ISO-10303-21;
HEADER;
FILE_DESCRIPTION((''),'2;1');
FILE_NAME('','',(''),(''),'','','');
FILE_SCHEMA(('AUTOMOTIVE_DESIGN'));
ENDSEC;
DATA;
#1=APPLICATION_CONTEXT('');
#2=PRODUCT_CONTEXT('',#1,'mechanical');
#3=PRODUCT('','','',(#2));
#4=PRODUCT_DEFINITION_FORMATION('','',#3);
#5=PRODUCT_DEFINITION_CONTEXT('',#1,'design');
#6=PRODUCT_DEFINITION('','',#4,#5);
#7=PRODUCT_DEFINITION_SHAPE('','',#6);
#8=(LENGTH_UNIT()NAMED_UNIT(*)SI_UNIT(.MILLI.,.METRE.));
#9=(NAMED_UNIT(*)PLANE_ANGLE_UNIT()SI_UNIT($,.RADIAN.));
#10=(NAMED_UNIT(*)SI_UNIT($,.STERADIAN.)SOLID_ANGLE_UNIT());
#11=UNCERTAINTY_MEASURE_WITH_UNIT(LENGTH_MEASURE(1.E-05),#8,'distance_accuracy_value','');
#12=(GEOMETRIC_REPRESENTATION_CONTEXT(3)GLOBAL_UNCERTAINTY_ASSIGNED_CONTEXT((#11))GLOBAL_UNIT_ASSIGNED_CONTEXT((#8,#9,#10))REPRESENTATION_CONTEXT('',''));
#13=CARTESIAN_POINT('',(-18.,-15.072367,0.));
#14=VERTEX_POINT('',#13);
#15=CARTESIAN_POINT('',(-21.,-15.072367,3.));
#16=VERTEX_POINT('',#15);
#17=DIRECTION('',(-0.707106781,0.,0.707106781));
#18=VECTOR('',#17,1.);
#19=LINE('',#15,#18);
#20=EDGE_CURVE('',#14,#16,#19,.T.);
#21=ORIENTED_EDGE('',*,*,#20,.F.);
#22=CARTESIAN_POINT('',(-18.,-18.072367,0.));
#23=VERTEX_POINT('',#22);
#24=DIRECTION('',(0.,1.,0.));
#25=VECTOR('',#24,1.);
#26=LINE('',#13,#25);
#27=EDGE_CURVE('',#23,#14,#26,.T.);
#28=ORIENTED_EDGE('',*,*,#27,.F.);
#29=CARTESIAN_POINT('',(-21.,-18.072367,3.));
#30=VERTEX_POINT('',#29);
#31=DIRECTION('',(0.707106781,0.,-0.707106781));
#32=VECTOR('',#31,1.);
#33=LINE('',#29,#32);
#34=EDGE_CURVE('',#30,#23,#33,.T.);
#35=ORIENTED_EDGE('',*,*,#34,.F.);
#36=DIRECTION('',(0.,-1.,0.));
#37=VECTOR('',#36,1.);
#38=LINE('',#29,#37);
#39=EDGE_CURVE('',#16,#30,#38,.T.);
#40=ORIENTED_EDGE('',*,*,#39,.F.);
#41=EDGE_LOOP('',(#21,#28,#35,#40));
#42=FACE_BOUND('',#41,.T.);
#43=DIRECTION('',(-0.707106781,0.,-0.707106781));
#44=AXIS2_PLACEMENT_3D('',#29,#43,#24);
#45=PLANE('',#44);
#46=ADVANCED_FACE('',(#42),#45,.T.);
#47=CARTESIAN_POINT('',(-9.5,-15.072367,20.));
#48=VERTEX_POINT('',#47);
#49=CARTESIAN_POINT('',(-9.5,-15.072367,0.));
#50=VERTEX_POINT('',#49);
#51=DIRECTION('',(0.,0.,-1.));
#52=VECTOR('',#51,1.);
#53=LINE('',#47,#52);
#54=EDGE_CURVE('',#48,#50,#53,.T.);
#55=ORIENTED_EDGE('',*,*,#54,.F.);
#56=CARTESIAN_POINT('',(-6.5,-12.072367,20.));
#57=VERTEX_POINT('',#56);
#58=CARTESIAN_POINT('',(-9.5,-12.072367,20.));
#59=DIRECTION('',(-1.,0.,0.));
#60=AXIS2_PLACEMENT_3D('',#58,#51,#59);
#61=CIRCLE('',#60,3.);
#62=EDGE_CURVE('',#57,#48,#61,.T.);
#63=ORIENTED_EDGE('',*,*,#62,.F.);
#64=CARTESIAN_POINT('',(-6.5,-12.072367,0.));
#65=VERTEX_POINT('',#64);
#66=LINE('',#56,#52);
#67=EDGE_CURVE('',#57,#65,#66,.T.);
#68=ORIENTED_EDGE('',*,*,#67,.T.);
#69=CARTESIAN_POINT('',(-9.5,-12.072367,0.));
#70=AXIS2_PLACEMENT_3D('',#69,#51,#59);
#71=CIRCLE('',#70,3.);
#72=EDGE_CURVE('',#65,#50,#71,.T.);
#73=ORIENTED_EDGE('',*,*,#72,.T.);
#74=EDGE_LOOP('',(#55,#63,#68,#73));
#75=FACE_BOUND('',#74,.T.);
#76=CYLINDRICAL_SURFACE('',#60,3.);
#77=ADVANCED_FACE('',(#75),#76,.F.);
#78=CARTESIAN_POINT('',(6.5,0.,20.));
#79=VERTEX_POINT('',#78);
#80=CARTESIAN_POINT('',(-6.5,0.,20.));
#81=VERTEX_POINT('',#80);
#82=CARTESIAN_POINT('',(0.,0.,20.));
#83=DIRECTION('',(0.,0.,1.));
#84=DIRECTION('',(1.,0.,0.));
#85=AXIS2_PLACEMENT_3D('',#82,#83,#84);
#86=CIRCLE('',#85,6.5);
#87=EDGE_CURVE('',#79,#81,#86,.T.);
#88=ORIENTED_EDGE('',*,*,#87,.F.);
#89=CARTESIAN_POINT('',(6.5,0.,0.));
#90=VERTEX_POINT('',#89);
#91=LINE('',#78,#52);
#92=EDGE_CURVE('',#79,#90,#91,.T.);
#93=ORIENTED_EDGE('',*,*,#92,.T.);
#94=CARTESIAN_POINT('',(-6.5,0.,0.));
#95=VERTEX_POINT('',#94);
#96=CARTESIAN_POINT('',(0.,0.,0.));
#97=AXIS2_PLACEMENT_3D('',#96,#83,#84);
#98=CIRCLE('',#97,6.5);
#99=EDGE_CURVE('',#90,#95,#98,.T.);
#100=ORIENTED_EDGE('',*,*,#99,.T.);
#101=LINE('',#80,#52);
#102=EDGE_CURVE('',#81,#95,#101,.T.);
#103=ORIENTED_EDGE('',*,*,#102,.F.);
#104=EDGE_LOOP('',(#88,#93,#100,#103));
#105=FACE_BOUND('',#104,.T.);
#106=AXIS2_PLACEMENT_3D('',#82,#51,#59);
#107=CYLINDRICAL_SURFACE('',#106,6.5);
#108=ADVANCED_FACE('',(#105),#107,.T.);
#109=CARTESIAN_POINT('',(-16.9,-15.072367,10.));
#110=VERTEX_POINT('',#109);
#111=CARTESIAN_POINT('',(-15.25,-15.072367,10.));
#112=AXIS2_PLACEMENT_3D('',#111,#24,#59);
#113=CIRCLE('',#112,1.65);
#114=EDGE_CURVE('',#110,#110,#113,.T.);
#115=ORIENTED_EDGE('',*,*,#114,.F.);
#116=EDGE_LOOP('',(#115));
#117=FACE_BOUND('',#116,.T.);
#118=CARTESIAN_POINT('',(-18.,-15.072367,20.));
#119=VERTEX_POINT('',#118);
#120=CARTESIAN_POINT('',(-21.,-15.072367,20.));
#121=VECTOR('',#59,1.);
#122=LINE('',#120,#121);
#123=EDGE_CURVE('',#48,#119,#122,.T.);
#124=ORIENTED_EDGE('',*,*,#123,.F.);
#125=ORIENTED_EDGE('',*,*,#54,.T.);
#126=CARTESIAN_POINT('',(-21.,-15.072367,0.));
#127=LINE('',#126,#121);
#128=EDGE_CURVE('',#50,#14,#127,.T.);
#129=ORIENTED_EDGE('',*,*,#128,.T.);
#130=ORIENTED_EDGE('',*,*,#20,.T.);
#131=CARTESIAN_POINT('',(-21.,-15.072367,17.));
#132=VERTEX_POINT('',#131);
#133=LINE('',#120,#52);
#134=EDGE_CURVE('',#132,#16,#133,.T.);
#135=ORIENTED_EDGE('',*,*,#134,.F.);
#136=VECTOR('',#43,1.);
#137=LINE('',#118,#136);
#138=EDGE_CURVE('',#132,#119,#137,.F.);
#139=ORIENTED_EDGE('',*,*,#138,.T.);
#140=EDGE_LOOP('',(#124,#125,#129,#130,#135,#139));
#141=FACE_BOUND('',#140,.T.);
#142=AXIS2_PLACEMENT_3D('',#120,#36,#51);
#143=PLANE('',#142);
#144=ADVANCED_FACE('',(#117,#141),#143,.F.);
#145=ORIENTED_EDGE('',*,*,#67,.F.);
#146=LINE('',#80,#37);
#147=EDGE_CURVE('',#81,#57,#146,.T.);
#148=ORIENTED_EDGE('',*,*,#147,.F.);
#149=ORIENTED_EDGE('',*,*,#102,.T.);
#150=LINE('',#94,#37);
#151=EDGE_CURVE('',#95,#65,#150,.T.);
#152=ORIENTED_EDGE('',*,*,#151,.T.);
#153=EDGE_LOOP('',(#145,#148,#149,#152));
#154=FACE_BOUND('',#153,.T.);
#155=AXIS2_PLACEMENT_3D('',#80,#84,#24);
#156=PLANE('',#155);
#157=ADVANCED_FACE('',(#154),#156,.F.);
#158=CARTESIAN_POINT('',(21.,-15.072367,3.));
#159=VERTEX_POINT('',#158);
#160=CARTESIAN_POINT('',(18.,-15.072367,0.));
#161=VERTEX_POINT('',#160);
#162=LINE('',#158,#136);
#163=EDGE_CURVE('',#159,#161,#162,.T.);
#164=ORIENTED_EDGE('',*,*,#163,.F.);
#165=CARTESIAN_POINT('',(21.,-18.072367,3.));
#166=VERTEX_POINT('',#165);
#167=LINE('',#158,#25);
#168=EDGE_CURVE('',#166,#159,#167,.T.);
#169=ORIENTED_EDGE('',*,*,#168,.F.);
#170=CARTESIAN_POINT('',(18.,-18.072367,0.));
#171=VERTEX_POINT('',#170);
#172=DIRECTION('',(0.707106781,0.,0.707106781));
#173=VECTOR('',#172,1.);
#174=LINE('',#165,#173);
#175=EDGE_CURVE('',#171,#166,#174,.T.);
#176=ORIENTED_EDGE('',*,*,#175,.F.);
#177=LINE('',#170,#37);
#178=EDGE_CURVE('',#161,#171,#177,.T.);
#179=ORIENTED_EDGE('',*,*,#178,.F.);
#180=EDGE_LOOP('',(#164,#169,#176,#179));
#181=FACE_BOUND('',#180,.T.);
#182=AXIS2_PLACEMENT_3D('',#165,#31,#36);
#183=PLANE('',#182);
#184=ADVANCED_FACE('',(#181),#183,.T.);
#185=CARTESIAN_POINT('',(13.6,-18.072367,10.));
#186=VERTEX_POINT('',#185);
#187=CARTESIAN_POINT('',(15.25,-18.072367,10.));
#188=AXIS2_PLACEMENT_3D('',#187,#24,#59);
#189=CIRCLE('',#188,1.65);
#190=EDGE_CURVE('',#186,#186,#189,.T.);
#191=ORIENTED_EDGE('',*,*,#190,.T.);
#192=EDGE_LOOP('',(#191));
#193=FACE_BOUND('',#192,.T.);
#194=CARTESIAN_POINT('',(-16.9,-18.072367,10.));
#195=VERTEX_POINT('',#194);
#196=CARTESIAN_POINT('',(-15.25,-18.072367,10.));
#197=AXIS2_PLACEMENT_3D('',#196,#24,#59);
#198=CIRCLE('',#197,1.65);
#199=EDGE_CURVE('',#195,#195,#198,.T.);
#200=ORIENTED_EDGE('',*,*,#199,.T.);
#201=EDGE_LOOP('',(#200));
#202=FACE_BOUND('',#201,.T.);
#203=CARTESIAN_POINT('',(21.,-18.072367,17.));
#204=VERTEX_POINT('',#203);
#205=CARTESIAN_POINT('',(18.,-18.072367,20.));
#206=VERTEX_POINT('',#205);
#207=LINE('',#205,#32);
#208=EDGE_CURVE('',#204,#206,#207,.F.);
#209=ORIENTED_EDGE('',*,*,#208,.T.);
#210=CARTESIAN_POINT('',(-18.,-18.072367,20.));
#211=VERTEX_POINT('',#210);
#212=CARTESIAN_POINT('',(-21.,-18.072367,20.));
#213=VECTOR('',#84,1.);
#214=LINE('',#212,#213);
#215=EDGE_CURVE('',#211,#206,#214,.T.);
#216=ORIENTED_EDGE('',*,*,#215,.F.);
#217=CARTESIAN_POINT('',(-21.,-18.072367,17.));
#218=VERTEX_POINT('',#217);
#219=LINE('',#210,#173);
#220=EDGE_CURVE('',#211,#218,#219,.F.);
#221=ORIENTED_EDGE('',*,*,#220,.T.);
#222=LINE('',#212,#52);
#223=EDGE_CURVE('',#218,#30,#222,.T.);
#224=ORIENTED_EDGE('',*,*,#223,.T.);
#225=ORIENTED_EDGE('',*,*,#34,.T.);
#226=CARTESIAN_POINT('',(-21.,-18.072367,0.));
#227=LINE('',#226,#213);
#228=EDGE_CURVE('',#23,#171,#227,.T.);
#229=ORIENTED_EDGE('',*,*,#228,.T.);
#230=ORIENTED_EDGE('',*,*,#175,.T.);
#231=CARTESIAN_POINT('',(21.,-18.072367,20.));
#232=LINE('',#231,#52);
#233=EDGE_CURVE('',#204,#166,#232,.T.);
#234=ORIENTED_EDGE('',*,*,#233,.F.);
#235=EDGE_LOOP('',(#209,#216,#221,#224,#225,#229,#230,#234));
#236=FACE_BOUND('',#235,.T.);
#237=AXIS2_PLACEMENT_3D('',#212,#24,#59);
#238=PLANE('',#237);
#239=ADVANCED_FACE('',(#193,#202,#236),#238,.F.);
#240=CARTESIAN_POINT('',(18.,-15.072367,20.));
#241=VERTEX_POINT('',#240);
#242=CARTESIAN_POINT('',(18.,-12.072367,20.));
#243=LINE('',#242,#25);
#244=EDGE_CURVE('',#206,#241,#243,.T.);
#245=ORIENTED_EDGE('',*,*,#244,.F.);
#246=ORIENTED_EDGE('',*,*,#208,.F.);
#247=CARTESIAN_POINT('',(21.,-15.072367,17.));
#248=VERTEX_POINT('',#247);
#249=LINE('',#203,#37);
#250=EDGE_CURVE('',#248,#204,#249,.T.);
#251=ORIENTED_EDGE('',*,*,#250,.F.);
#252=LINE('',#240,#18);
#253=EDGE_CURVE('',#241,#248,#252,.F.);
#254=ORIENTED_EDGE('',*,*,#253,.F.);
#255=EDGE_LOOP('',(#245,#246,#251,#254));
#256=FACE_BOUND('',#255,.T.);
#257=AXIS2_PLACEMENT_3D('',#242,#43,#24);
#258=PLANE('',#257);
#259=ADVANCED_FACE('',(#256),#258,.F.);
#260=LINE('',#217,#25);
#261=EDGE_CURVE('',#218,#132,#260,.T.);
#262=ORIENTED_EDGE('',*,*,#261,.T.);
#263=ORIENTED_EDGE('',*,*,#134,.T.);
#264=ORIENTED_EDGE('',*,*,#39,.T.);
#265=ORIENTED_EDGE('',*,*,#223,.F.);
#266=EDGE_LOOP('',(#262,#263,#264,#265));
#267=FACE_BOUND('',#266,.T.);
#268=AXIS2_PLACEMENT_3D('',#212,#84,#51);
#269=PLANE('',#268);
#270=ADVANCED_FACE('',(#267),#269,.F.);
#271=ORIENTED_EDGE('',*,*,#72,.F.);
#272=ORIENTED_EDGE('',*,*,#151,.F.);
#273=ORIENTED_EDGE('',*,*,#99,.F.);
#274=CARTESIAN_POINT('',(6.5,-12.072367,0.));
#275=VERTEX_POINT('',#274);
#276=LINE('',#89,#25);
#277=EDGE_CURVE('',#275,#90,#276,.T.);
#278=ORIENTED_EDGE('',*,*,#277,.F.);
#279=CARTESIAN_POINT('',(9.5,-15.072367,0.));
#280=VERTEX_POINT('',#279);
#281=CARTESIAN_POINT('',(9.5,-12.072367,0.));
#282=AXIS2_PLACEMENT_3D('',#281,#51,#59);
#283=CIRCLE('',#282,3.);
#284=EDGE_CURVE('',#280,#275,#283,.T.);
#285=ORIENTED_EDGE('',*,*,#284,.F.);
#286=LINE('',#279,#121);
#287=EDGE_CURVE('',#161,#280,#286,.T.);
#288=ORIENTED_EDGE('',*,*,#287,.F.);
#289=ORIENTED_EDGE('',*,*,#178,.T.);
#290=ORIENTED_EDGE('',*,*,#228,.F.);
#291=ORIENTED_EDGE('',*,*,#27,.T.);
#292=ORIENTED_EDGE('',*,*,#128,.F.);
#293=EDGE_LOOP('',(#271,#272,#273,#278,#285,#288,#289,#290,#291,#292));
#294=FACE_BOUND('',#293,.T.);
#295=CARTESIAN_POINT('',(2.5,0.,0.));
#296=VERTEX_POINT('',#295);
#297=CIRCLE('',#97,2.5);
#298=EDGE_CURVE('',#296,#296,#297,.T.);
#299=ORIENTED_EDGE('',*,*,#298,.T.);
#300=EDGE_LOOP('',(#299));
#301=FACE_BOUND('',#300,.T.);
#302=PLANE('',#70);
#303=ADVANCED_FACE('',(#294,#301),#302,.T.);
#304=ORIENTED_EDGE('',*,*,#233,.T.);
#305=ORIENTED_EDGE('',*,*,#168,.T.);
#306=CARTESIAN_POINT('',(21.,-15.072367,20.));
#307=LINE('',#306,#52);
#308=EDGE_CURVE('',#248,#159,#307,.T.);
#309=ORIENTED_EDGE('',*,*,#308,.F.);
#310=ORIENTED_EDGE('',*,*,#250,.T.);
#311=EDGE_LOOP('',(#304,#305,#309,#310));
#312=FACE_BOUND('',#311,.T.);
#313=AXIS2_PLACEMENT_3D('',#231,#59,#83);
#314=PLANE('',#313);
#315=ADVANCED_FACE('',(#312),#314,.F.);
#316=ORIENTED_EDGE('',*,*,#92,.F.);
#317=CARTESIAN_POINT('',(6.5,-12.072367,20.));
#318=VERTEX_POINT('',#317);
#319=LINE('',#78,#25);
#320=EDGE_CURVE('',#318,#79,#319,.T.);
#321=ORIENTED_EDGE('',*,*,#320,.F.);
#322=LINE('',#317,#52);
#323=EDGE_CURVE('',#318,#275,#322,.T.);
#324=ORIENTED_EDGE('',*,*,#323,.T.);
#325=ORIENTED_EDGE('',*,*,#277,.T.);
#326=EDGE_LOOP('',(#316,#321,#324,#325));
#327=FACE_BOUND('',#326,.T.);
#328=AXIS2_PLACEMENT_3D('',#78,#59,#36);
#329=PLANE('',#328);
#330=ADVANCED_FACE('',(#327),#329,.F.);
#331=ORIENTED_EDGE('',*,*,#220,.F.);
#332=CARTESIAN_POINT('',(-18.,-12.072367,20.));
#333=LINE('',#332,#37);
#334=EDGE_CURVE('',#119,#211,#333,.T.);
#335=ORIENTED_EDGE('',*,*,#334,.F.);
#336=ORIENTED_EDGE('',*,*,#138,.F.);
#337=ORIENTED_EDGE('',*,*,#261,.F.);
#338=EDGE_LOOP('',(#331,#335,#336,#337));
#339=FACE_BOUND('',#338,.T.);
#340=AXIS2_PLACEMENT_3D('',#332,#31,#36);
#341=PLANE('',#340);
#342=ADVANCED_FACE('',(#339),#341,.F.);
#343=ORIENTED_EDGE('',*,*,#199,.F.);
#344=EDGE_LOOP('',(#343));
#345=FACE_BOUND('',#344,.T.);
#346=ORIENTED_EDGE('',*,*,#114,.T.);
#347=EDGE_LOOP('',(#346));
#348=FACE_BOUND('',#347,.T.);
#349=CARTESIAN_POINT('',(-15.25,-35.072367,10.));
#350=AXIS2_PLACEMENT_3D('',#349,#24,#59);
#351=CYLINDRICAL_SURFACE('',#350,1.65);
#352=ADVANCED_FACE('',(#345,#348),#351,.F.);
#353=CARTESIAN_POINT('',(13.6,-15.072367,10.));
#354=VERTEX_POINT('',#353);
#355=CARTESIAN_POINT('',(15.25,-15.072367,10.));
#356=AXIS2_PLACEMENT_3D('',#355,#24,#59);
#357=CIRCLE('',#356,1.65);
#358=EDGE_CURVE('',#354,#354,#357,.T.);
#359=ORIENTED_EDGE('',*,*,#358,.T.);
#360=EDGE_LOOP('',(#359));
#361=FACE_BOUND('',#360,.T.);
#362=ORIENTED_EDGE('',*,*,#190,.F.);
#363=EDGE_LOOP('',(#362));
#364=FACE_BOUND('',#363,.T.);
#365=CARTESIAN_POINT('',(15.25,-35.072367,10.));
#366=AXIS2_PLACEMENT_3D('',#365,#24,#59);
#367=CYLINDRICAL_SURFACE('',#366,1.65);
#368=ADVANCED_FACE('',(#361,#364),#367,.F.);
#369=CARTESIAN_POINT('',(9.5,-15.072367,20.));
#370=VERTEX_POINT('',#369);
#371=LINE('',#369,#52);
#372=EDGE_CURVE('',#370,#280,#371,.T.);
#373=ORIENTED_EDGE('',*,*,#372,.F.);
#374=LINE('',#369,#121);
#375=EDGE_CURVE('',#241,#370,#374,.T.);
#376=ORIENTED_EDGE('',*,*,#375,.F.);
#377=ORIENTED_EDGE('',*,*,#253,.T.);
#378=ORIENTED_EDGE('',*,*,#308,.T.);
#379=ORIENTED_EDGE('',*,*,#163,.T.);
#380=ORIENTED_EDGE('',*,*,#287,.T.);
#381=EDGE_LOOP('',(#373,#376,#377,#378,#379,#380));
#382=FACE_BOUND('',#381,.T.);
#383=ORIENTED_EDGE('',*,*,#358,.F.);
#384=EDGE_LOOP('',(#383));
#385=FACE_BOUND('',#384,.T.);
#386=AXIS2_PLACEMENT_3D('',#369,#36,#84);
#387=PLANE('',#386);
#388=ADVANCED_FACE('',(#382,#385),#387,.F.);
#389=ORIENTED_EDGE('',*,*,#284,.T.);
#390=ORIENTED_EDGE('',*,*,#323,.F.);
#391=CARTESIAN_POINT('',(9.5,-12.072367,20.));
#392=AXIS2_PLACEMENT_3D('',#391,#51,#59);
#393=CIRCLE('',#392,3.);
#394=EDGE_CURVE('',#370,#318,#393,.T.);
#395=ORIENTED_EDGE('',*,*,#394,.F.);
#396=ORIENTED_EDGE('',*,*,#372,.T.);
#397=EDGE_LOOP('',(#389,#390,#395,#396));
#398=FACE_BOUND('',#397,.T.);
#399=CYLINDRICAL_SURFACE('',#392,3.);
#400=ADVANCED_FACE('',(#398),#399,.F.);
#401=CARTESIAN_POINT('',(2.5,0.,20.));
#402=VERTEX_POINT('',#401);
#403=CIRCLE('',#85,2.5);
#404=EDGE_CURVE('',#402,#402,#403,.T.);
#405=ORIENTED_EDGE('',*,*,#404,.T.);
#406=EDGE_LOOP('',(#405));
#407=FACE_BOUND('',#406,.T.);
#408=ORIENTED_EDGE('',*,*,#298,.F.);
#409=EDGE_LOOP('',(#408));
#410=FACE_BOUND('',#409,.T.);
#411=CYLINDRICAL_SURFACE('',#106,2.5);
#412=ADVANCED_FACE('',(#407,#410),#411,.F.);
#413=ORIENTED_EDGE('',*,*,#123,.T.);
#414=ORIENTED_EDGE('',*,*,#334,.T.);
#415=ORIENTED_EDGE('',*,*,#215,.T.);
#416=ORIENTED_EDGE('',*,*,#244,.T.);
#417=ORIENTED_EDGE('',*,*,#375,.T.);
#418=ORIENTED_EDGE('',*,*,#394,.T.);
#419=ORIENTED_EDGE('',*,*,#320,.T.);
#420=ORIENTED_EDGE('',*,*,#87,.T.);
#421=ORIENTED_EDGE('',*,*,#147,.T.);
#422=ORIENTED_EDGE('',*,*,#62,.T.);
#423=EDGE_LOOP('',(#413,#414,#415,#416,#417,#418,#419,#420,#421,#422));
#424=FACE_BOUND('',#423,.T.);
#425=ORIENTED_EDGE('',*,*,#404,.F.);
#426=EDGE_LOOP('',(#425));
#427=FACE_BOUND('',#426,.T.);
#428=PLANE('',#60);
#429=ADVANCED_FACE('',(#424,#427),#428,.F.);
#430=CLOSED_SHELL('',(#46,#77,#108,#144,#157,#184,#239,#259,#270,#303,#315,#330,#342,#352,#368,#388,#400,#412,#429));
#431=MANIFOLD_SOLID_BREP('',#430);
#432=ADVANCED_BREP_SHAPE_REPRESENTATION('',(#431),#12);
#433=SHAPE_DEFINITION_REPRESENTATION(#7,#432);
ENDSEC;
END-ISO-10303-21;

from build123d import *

# Parameters (mm, degrees)
SKETCH1_R           = 2.5
BOSS_EXTRUDE1_DEPTH = 20
CHAMFER1_SIZE       = 3
SKETCH2_R           = 1.65
CUT_EXTRUDE1_DEPTH  = 20


with BuildPart() as part:
    # Sketch1 → Boss-Extrude1 (new body)
    with BuildSketch(Plane.XY):
        with BuildLine():
            Line((-21, -18.072367328), (21, -18.072367328))
            Line((21, -18.072367328), (21, -15.072367328))
            Line((21, -15.072367328), (9.5, -15.072367328))
            ThreePointArc((9.5, -15.072367328), (7.378679656, -14.193687672), (6.5, -12.072367328))
            Line((6.5, -12.072367328), (6.5, 0))
            ThreePointArc((6.5, 0), (0, 6.5), (-6.5, 0))
            Line((-6.5, 0), (-6.5, -12.072367328))
            ThreePointArc((-6.5, -12.072367328), (-7.378679656, -14.193687672), (-9.5, -15.072367328))
            Line((-9.5, -15.072367328), (-21, -15.072367328))
            Line((-21, -15.072367328), (-21, -18.072367328))
        make_face()
        Circle(SKETCH1_R, mode=Mode.SUBTRACT)
    extrude(amount=BOSS_EXTRUDE1_DEPTH)

    # Chamfer1
    chamfer1_edges = [part.edges().sort_by_distance(p)[0] for p in [
        (21, -16.572367328, 20),
        (21, -16.572367328, 0),
        (-21, -16.572367328, 0),
        (-21, -16.572367328, 20),
    ]]
    chamfer(chamfer1_edges, length=CHAMFER1_SIZE)

    # Sketch2 → Cut-Extrude1 (cut)
    with BuildSketch(Plane(origin=(0, -15.072367328, 0), x_dir=(1, 0, 0), z_dir=(0, 1, 0))):
        with Locations(Location((15.25, -10, 0), (0, 0, 180))):
            Circle(SKETCH2_R)
        with Locations(Location((-15.25, -10, 0), (0, 0, 180))):
            Circle(SKETCH2_R)
    extrude(amount=-CUT_EXTRUDE1_DEPTH, mode=Mode.SUBTRACT)


solid = part.part
